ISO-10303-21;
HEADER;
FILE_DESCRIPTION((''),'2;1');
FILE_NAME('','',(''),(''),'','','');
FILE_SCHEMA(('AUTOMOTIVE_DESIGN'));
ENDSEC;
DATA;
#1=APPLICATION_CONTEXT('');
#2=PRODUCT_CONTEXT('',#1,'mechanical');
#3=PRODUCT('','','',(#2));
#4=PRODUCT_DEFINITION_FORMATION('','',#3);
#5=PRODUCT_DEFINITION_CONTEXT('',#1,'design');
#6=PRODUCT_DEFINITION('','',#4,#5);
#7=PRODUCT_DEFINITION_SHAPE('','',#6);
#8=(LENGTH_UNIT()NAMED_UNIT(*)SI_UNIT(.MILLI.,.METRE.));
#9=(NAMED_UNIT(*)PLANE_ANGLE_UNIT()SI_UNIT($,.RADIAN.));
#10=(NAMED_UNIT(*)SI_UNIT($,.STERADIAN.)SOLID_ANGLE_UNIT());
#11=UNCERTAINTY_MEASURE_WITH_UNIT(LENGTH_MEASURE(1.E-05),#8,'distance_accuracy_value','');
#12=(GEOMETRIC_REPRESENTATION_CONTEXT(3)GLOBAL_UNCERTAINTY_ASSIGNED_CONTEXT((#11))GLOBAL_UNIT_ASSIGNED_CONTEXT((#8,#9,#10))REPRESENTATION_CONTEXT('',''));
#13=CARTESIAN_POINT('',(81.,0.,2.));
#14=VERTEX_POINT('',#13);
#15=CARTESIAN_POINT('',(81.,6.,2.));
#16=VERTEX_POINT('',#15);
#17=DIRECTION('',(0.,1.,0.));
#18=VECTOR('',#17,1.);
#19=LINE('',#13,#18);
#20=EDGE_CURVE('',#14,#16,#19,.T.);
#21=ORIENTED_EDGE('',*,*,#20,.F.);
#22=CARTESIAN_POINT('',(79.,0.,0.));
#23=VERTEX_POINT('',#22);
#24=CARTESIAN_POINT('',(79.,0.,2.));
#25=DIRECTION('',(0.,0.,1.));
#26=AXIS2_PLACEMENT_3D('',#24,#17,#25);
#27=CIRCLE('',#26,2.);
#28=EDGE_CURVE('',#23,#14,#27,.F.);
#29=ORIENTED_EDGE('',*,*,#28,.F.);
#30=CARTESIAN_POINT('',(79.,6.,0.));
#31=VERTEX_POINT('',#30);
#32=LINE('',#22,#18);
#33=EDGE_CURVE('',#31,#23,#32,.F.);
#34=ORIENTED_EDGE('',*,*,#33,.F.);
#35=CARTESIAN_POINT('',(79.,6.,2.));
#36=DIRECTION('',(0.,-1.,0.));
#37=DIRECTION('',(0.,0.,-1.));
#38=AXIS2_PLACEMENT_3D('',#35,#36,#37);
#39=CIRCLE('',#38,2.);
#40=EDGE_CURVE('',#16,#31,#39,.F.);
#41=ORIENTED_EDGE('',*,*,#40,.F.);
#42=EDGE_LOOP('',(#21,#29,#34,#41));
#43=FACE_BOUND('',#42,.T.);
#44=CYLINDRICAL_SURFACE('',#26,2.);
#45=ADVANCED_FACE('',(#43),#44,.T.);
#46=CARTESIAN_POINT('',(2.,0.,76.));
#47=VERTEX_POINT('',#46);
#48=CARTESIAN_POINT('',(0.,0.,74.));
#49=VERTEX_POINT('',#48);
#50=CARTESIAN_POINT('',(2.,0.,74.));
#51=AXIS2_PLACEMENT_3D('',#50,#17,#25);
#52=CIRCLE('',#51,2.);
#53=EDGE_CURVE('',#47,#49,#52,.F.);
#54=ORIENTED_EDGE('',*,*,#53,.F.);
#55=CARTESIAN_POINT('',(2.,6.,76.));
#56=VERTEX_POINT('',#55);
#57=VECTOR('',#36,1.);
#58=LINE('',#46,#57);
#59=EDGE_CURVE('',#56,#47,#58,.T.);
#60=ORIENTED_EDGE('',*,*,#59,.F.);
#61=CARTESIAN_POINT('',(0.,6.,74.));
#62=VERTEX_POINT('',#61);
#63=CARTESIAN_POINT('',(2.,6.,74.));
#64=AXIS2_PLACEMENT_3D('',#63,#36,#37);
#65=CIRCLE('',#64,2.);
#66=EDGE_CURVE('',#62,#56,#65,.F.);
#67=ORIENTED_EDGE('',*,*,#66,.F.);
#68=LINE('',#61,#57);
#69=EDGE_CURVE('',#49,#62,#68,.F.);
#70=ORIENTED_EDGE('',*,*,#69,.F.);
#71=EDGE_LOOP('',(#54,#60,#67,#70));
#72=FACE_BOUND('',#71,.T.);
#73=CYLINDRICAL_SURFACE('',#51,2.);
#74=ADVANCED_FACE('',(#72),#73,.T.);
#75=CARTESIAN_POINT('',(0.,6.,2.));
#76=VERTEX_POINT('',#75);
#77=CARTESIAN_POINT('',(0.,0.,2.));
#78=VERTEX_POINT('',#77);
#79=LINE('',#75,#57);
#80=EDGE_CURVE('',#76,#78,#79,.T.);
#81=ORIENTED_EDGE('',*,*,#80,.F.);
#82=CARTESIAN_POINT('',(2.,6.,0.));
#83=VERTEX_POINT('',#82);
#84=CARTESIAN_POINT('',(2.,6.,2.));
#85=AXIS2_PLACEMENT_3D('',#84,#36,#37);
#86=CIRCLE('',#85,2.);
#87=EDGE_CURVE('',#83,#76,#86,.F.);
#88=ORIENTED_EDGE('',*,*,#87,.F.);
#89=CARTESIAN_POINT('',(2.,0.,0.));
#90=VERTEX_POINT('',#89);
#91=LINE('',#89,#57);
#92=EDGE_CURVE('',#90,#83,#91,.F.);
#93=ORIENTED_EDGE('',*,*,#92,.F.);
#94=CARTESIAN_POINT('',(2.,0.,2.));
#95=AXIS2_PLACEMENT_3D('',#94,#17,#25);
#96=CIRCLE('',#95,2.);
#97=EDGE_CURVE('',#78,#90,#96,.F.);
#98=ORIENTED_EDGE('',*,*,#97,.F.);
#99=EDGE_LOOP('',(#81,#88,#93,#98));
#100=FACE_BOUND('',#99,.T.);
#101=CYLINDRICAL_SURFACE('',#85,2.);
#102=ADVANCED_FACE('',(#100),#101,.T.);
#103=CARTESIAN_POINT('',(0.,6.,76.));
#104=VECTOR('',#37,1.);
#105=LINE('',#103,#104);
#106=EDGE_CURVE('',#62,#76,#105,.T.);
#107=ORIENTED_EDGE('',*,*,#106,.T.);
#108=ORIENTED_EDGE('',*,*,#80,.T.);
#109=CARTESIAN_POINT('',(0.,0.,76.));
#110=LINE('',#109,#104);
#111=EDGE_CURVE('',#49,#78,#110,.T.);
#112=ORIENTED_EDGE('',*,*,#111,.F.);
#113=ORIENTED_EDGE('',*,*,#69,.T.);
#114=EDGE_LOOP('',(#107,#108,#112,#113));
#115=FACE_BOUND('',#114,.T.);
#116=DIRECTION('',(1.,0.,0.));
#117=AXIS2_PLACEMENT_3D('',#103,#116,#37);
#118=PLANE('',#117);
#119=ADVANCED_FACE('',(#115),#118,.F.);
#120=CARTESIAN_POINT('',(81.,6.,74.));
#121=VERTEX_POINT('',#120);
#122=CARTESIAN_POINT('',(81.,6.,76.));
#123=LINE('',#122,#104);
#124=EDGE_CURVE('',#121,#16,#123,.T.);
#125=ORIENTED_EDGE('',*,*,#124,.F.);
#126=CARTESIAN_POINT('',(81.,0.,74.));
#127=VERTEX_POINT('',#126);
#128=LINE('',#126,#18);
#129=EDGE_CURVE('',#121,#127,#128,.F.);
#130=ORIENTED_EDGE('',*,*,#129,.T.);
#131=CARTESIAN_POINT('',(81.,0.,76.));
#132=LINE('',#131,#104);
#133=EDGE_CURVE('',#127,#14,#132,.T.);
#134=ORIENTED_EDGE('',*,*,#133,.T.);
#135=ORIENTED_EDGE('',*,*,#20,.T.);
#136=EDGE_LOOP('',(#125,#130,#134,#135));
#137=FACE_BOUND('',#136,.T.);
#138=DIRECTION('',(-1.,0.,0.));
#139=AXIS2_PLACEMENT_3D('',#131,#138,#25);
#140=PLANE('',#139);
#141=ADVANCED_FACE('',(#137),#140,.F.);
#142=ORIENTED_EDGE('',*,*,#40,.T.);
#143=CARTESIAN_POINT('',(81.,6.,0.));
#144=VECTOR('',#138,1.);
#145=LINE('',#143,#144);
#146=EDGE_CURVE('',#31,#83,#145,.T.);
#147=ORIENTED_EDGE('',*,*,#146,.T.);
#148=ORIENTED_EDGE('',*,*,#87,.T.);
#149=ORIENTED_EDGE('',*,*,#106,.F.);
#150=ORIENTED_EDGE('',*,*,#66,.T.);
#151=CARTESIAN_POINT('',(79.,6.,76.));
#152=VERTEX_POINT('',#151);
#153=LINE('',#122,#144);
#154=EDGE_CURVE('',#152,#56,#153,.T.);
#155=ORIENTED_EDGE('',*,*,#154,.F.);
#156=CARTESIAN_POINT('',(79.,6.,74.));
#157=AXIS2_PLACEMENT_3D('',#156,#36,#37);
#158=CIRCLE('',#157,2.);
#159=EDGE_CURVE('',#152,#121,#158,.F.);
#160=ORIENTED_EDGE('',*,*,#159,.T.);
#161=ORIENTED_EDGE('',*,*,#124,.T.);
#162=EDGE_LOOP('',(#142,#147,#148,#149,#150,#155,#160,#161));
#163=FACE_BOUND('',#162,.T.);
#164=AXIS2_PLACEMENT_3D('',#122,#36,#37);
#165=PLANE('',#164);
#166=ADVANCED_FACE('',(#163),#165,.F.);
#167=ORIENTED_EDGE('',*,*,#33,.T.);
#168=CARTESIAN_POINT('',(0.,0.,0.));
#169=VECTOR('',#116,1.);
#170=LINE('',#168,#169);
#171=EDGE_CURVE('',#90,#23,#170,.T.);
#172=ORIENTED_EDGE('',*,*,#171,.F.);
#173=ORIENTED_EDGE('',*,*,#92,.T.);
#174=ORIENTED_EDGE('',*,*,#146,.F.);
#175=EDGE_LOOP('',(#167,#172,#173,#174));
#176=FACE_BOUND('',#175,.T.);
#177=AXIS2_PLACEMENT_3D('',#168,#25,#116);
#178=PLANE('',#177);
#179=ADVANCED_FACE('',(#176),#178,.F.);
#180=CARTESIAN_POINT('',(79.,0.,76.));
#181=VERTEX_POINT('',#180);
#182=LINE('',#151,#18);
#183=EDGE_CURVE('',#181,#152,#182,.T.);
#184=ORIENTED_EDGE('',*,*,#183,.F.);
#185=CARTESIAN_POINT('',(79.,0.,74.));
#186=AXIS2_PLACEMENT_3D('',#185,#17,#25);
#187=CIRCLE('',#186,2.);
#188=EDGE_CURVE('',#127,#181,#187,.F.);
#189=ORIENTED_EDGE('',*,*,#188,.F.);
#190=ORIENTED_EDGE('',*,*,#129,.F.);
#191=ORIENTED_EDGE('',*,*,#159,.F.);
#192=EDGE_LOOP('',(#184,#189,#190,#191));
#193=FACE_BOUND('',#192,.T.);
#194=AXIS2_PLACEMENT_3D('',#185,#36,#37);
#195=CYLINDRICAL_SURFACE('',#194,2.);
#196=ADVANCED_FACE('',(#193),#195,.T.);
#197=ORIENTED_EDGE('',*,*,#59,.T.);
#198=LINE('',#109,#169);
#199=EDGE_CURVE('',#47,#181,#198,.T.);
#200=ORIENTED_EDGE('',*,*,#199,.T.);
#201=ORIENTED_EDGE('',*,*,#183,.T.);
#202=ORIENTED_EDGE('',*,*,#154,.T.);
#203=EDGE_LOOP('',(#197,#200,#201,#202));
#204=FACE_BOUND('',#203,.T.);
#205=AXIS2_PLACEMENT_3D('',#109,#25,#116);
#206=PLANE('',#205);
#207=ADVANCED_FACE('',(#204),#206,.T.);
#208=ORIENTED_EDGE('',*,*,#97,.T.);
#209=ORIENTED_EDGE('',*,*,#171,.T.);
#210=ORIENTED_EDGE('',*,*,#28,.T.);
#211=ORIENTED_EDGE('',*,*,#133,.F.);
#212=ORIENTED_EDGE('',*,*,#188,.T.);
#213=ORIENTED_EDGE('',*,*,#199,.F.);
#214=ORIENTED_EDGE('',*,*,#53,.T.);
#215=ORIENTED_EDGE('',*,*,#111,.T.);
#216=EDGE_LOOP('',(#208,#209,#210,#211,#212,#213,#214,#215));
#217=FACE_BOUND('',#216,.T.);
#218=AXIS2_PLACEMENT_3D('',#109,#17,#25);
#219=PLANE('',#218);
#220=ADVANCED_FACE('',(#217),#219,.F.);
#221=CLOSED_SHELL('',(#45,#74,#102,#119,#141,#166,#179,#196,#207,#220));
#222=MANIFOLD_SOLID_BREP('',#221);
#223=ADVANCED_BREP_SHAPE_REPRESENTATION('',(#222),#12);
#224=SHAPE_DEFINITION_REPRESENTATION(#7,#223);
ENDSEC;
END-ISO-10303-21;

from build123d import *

# Parameters (mm, degrees)
SKETCH_1_W         = 81
SKETCH_1_H         = 6
BLOCKEXTRUDE_DEPTH = 76
FILLET_2_R         = 2


with BuildPart() as part:
    # 草图1 → BlockExtrude (new body)
    with BuildSketch(Plane.XY):
        with Locations((40.5, 3)):
            Rectangle(SKETCH_1_W, SKETCH_1_H)
    extrude(amount=BLOCKEXTRUDE_DEPTH)

    # Fillet 2
    fillet_2_edges = [part.edges().sort_by_distance(p)[0] for p in [
        (81, 3, 76),
        (0, 3, 76),
        (81, 3, 0),
        (0, 3, 0),
    ]]
    fillet(fillet_2_edges, radius=FILLET_2_R)


solid = part.part
